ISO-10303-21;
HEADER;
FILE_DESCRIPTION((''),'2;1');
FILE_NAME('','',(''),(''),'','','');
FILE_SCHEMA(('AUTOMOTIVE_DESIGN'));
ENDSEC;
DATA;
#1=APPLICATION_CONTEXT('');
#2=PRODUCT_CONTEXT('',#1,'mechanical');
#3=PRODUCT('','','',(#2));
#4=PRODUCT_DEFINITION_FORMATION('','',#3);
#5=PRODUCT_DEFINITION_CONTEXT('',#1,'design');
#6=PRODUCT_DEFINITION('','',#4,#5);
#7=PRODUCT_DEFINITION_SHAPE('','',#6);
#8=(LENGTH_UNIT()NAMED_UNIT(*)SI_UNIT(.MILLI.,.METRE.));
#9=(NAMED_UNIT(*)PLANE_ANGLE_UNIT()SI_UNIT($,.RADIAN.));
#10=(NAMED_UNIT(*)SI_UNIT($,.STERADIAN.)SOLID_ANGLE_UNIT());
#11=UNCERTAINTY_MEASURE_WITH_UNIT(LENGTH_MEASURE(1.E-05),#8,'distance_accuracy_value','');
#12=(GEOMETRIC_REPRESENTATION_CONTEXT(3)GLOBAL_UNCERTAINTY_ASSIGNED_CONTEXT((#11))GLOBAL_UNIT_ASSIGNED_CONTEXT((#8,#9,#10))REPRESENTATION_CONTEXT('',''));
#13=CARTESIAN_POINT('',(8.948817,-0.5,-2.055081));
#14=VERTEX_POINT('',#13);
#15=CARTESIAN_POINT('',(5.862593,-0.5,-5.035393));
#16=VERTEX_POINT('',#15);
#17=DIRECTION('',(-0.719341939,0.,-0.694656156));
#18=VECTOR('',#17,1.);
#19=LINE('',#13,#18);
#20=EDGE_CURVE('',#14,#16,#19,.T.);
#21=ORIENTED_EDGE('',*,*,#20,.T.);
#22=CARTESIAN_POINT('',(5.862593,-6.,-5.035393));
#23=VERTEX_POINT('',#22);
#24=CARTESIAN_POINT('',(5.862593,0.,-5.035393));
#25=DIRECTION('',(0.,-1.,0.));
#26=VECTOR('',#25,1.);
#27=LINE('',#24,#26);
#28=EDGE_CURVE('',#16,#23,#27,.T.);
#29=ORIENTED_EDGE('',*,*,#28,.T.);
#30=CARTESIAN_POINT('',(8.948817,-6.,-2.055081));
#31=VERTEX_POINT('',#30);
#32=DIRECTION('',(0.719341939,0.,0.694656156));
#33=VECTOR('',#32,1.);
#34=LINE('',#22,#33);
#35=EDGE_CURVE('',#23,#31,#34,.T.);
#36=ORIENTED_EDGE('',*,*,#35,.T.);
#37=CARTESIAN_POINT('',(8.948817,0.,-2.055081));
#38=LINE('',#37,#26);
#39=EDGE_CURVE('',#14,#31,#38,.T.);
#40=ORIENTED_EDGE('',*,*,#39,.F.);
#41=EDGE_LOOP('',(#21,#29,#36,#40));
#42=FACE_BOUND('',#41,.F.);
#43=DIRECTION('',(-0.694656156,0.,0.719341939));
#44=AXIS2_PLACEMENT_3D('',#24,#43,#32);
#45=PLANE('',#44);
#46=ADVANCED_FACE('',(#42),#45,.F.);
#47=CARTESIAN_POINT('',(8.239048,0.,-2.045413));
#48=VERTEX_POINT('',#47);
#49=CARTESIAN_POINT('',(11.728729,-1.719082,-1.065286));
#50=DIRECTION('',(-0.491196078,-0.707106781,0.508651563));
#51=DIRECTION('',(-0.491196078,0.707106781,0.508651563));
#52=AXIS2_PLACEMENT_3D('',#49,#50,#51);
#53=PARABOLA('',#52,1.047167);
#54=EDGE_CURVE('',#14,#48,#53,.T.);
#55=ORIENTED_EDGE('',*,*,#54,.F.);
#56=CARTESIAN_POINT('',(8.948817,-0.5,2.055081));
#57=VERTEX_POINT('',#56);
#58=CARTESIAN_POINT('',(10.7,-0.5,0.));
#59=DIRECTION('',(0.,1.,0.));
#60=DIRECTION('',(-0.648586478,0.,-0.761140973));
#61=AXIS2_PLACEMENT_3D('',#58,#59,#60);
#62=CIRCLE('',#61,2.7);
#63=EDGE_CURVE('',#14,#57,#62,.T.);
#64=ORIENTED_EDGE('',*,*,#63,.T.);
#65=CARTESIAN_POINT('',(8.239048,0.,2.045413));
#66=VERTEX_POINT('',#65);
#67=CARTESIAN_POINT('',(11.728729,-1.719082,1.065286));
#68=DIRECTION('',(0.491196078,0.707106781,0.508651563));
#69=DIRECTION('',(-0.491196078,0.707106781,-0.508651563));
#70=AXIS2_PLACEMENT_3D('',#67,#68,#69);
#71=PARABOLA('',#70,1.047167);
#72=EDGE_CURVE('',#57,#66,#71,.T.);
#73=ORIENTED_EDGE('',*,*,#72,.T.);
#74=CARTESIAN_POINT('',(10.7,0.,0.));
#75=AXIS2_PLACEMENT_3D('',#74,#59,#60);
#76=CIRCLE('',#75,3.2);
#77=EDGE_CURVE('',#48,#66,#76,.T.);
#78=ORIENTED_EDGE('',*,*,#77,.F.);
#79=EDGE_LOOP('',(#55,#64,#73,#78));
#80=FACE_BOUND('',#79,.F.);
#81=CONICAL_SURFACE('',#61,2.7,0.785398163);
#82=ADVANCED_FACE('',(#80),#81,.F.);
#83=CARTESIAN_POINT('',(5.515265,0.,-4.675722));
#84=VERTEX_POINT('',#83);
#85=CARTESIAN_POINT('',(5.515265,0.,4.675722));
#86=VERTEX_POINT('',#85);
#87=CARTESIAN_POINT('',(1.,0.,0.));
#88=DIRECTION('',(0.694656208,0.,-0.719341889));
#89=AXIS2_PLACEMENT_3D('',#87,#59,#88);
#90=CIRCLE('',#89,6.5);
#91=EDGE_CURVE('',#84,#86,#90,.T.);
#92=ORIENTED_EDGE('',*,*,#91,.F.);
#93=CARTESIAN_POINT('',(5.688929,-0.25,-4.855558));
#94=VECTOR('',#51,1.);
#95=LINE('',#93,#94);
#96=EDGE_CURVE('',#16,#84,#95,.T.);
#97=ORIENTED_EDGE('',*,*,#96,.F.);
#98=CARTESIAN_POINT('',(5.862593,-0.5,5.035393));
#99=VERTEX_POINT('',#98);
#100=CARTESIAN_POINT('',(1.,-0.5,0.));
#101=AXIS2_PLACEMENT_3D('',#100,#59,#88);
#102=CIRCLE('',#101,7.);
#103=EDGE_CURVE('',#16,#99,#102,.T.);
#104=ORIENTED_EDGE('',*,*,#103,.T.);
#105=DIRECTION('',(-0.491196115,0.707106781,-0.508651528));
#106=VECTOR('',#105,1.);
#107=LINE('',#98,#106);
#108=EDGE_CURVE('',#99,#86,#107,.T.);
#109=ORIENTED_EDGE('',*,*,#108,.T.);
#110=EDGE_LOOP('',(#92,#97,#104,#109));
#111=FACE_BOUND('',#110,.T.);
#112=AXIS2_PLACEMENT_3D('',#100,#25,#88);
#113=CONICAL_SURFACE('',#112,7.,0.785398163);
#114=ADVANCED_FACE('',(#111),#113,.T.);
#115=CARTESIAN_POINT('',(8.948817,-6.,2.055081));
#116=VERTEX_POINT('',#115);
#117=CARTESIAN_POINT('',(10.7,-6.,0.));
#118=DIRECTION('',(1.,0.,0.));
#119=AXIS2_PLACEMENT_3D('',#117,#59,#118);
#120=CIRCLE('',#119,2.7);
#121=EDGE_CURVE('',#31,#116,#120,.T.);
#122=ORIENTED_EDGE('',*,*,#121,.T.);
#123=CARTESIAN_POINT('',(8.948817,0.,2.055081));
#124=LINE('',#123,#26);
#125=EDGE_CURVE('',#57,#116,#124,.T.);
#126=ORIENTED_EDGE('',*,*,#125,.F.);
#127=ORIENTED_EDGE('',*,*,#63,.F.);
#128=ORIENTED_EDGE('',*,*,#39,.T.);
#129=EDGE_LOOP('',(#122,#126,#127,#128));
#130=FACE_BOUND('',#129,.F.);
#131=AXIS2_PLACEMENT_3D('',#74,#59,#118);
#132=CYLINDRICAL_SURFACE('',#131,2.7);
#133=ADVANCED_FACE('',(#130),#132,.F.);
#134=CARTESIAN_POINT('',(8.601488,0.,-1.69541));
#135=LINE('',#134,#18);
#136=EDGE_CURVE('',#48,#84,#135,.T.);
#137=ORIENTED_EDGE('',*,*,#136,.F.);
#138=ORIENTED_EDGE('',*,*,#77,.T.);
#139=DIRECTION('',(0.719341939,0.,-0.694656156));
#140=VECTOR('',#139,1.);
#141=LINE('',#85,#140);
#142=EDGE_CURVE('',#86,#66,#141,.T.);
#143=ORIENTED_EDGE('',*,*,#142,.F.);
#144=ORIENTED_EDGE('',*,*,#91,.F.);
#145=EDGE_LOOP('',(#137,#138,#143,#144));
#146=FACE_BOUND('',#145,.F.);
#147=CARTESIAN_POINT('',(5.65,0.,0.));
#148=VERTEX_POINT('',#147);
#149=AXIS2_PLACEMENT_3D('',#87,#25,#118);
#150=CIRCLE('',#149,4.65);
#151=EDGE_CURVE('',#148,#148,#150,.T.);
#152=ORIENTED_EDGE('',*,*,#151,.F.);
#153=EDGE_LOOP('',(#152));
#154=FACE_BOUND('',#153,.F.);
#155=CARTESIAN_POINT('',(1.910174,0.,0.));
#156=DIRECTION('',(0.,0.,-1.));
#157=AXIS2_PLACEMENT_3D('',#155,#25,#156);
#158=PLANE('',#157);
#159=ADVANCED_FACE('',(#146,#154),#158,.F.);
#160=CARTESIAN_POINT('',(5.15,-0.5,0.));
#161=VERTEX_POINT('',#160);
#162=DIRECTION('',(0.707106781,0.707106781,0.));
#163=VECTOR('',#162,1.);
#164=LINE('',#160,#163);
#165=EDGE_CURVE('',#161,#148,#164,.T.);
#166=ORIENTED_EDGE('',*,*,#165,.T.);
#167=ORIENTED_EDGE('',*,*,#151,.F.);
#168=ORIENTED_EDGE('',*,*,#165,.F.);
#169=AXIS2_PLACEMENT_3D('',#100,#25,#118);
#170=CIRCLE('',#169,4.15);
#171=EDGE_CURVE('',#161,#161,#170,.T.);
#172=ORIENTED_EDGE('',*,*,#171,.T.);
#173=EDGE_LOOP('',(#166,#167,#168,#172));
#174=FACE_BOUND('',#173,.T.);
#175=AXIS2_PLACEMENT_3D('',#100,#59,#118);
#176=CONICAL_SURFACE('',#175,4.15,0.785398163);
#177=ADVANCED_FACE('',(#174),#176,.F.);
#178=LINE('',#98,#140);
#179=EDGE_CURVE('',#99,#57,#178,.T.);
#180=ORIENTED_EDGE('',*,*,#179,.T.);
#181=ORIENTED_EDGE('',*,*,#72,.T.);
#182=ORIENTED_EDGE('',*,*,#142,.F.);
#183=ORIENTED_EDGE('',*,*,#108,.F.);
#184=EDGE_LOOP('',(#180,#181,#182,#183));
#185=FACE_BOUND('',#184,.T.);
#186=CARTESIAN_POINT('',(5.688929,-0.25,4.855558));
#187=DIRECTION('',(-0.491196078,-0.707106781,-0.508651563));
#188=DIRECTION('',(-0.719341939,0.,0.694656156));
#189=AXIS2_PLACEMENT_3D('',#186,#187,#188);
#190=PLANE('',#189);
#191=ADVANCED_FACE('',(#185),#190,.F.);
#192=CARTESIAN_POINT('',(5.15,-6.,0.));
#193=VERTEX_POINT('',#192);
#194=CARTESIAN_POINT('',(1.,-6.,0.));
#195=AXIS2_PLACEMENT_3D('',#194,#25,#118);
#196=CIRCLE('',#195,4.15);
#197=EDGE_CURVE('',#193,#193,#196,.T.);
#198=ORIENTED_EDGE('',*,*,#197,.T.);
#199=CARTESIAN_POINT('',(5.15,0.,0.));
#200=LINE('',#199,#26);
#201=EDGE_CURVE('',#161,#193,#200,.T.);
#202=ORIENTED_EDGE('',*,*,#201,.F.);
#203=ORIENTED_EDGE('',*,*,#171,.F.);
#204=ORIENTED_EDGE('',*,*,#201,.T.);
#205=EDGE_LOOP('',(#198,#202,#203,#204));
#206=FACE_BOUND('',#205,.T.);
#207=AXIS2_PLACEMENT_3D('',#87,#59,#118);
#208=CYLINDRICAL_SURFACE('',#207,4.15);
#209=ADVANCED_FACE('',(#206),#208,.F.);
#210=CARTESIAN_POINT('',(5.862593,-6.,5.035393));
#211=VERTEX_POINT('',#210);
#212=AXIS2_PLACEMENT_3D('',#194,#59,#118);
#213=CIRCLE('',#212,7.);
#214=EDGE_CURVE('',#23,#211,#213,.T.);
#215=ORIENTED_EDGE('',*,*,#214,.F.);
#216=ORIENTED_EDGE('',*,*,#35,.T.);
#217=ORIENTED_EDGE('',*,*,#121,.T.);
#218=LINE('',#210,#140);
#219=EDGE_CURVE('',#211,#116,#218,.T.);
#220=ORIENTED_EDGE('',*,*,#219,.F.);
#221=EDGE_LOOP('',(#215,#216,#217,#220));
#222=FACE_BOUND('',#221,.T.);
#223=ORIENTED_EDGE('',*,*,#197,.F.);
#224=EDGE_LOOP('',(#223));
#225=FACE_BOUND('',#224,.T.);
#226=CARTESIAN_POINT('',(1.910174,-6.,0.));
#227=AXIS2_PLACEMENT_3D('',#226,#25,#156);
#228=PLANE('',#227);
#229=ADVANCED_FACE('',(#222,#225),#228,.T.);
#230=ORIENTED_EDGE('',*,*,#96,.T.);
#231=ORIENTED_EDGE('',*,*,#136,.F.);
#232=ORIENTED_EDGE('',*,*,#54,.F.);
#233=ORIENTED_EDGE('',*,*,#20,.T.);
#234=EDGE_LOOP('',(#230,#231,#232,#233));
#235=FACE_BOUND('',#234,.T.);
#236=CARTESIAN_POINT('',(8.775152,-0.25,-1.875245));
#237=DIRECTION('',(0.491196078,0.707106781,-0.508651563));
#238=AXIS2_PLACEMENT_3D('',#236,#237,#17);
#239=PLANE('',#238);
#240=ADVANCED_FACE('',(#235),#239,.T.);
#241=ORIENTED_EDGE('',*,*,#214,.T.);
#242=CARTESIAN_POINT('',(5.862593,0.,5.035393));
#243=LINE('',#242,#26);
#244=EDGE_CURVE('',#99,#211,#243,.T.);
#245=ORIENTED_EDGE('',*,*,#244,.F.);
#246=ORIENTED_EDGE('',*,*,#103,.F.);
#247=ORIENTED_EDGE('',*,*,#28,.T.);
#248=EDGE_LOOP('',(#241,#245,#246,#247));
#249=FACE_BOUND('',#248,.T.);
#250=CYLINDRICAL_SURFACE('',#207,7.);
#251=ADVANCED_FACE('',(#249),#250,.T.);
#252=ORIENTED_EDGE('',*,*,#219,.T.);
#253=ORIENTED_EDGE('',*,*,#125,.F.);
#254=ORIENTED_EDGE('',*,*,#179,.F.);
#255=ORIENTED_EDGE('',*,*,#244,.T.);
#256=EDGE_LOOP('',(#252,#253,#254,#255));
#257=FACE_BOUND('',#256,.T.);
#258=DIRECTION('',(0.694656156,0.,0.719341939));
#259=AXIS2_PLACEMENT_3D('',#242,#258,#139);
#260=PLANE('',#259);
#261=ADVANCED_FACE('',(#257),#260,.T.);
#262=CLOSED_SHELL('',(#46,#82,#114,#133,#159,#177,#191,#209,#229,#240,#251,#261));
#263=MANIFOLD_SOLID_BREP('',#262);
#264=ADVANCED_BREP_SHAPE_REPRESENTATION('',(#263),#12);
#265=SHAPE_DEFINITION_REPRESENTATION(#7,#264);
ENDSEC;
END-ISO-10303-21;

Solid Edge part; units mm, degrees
sketch "Sketch1" plane through (0, 0, 0) normal (0, -1, 0) x (1, 0, 0)
  line L0 (5.8626, -5.0354) -> (8.9488, -2.0551)
  line L1 (5.8626, 5.0354) -> (8.9488, 2.0551)
  arc A0 (8.9488, -2.0551) -> (8.9488, 2.0551) centre (10.7, 0) cw
  arc A1 (5.8626, -5.0354) -> (5.8626, 5.0354) centre (1, 0) cw
  circle A2 centre (1, 0) radius 4.15
extrude "Protrusion1" add sketch "Sketch1" along normal blind 6
extrude "Cutout1" [suppressed]
chamfer "Chamfer_1" [suppressed]
fillet "Round_1" [suppressed]
chamfer "Chamfer_2" distance 0.5 angle 45 5 edges at (-3.15, 0, 0) (-6, 0, 0) (7.4057, 0, -3.5452) (7.4057, 0, 3.5452) (8, 0, 0)
properties material "ABS Plastic, medium impact"
